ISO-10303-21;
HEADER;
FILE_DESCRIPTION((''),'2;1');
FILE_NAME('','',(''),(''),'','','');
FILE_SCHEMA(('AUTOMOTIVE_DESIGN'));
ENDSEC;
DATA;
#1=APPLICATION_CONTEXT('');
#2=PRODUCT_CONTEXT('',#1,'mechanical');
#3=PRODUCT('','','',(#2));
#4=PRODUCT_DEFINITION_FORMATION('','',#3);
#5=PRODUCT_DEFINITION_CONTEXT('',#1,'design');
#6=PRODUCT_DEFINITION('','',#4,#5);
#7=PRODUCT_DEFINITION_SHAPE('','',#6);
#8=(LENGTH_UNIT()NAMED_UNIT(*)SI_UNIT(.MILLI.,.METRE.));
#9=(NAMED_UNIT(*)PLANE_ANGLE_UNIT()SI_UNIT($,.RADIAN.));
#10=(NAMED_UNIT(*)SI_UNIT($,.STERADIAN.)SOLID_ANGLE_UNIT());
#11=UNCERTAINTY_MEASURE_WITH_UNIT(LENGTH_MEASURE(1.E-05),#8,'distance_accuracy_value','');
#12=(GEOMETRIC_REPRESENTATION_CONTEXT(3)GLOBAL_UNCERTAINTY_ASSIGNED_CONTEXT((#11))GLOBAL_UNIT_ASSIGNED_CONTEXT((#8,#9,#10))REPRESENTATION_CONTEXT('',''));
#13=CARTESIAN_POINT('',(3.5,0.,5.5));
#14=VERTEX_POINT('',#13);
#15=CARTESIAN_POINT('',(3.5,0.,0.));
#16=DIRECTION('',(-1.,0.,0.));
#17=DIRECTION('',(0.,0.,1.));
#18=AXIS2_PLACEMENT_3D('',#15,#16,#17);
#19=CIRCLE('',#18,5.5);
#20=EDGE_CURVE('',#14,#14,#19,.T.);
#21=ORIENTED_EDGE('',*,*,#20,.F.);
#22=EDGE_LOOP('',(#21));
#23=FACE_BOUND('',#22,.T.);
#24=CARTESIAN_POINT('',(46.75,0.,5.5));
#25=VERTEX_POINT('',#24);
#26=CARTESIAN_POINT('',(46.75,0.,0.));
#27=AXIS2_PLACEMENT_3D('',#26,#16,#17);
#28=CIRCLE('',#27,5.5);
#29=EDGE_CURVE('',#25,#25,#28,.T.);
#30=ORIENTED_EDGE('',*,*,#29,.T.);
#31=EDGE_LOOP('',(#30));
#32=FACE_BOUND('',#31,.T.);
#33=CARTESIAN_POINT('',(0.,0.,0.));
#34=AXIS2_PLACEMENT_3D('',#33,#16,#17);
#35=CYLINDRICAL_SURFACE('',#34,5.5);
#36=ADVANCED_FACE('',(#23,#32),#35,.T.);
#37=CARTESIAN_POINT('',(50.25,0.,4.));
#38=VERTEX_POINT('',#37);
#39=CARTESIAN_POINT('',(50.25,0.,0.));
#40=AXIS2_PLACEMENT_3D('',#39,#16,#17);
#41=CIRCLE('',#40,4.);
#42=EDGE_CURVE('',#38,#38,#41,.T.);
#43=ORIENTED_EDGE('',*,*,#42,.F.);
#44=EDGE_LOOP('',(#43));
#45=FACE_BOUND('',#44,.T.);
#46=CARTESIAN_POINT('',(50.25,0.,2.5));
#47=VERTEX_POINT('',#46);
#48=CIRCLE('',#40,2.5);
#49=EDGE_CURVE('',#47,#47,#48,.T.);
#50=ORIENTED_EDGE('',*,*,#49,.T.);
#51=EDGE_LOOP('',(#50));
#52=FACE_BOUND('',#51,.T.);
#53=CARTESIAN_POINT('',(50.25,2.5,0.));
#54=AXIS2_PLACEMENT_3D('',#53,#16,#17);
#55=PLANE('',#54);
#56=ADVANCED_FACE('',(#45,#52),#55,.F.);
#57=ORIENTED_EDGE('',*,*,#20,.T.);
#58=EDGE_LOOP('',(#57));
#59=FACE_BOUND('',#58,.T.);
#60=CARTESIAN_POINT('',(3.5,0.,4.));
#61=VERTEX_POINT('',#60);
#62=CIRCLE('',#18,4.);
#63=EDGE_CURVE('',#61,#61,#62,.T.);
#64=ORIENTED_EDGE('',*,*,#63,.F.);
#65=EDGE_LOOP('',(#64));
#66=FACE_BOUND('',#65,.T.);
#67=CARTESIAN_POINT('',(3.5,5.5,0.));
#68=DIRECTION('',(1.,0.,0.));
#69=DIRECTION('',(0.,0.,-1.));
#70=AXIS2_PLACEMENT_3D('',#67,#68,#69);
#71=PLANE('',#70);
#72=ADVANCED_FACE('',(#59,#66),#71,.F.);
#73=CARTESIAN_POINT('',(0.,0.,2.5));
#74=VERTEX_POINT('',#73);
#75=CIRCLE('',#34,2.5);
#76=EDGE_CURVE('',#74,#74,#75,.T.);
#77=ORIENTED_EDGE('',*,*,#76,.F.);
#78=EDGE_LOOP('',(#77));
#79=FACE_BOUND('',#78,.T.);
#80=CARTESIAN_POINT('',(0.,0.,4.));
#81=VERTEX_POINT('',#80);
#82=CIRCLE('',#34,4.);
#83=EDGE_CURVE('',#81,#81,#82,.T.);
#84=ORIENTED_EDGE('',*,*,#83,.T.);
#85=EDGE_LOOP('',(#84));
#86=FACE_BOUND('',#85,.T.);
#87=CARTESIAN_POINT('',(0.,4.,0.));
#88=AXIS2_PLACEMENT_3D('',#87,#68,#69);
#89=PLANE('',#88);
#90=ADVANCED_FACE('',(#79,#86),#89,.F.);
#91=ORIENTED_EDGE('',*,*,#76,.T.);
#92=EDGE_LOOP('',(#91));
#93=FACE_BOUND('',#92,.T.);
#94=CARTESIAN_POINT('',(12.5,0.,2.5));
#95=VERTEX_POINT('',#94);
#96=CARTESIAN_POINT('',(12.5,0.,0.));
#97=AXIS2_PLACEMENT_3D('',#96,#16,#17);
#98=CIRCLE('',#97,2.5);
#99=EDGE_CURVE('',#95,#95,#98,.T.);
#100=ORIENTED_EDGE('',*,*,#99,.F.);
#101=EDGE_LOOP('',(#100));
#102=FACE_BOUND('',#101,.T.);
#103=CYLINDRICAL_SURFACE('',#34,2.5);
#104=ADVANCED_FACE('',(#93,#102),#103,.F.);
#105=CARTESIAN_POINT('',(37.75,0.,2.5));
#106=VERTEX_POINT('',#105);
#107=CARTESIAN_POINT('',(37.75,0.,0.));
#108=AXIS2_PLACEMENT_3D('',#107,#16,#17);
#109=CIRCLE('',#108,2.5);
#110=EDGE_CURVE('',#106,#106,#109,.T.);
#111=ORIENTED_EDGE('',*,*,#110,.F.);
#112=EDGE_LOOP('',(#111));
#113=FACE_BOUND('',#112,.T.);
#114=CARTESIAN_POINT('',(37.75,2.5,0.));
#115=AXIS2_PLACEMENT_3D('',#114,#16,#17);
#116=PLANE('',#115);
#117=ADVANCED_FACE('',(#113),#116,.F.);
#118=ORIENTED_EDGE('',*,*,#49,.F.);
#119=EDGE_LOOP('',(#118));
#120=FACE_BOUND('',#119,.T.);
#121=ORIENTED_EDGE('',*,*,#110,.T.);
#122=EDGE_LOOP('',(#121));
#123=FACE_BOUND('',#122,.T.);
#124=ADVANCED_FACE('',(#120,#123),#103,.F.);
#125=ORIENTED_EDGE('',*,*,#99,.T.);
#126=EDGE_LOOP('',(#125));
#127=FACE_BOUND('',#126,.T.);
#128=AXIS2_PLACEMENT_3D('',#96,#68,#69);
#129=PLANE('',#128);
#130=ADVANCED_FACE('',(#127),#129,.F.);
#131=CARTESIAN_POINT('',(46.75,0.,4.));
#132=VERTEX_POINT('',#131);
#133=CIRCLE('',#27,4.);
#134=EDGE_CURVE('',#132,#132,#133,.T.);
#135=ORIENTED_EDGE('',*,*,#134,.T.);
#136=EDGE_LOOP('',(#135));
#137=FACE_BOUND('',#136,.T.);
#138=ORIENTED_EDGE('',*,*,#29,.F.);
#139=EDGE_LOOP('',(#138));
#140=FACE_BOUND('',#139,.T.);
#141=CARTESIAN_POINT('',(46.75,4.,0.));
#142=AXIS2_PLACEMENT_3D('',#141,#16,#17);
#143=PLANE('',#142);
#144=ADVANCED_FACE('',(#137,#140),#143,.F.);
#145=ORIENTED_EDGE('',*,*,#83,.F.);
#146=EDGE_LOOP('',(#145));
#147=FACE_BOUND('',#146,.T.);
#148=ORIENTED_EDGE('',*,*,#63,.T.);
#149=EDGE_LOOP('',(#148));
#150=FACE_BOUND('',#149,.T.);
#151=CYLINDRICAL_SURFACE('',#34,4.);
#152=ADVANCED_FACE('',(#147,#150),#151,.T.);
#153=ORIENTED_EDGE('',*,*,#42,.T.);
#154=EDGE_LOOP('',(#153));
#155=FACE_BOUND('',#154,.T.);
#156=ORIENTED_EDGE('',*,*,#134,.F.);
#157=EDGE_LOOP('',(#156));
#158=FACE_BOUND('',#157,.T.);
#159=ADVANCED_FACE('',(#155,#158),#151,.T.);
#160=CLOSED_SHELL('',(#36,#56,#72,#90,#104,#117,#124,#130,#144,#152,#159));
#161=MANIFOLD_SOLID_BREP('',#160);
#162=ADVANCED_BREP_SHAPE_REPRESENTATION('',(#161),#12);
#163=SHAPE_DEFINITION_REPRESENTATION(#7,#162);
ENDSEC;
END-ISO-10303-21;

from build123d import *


with BuildPart() as part:
    # Sketch1 → Revolve1 (revolve)
    with BuildSketch(Plane.XY, mode=Mode.PRIVATE) as revolve1_sk:
        Polygon((0, 2.5), (12.5, 2.5), (12.5, 0), (37.75, 0), (37.75, 2.5), (50.25, 2.5), (50.25, 4), (46.75, 4), (46.75, 5.5), (3.5, 5.5), (3.5, 4), (0, 4), align=None)
    revolve(revolve1_sk.sketch.rotate(Axis((0, 0, 0), (1, 0, 0)), 90), axis=Axis((0, 0, 0), (1, 0, 0)))


solid = part.part
